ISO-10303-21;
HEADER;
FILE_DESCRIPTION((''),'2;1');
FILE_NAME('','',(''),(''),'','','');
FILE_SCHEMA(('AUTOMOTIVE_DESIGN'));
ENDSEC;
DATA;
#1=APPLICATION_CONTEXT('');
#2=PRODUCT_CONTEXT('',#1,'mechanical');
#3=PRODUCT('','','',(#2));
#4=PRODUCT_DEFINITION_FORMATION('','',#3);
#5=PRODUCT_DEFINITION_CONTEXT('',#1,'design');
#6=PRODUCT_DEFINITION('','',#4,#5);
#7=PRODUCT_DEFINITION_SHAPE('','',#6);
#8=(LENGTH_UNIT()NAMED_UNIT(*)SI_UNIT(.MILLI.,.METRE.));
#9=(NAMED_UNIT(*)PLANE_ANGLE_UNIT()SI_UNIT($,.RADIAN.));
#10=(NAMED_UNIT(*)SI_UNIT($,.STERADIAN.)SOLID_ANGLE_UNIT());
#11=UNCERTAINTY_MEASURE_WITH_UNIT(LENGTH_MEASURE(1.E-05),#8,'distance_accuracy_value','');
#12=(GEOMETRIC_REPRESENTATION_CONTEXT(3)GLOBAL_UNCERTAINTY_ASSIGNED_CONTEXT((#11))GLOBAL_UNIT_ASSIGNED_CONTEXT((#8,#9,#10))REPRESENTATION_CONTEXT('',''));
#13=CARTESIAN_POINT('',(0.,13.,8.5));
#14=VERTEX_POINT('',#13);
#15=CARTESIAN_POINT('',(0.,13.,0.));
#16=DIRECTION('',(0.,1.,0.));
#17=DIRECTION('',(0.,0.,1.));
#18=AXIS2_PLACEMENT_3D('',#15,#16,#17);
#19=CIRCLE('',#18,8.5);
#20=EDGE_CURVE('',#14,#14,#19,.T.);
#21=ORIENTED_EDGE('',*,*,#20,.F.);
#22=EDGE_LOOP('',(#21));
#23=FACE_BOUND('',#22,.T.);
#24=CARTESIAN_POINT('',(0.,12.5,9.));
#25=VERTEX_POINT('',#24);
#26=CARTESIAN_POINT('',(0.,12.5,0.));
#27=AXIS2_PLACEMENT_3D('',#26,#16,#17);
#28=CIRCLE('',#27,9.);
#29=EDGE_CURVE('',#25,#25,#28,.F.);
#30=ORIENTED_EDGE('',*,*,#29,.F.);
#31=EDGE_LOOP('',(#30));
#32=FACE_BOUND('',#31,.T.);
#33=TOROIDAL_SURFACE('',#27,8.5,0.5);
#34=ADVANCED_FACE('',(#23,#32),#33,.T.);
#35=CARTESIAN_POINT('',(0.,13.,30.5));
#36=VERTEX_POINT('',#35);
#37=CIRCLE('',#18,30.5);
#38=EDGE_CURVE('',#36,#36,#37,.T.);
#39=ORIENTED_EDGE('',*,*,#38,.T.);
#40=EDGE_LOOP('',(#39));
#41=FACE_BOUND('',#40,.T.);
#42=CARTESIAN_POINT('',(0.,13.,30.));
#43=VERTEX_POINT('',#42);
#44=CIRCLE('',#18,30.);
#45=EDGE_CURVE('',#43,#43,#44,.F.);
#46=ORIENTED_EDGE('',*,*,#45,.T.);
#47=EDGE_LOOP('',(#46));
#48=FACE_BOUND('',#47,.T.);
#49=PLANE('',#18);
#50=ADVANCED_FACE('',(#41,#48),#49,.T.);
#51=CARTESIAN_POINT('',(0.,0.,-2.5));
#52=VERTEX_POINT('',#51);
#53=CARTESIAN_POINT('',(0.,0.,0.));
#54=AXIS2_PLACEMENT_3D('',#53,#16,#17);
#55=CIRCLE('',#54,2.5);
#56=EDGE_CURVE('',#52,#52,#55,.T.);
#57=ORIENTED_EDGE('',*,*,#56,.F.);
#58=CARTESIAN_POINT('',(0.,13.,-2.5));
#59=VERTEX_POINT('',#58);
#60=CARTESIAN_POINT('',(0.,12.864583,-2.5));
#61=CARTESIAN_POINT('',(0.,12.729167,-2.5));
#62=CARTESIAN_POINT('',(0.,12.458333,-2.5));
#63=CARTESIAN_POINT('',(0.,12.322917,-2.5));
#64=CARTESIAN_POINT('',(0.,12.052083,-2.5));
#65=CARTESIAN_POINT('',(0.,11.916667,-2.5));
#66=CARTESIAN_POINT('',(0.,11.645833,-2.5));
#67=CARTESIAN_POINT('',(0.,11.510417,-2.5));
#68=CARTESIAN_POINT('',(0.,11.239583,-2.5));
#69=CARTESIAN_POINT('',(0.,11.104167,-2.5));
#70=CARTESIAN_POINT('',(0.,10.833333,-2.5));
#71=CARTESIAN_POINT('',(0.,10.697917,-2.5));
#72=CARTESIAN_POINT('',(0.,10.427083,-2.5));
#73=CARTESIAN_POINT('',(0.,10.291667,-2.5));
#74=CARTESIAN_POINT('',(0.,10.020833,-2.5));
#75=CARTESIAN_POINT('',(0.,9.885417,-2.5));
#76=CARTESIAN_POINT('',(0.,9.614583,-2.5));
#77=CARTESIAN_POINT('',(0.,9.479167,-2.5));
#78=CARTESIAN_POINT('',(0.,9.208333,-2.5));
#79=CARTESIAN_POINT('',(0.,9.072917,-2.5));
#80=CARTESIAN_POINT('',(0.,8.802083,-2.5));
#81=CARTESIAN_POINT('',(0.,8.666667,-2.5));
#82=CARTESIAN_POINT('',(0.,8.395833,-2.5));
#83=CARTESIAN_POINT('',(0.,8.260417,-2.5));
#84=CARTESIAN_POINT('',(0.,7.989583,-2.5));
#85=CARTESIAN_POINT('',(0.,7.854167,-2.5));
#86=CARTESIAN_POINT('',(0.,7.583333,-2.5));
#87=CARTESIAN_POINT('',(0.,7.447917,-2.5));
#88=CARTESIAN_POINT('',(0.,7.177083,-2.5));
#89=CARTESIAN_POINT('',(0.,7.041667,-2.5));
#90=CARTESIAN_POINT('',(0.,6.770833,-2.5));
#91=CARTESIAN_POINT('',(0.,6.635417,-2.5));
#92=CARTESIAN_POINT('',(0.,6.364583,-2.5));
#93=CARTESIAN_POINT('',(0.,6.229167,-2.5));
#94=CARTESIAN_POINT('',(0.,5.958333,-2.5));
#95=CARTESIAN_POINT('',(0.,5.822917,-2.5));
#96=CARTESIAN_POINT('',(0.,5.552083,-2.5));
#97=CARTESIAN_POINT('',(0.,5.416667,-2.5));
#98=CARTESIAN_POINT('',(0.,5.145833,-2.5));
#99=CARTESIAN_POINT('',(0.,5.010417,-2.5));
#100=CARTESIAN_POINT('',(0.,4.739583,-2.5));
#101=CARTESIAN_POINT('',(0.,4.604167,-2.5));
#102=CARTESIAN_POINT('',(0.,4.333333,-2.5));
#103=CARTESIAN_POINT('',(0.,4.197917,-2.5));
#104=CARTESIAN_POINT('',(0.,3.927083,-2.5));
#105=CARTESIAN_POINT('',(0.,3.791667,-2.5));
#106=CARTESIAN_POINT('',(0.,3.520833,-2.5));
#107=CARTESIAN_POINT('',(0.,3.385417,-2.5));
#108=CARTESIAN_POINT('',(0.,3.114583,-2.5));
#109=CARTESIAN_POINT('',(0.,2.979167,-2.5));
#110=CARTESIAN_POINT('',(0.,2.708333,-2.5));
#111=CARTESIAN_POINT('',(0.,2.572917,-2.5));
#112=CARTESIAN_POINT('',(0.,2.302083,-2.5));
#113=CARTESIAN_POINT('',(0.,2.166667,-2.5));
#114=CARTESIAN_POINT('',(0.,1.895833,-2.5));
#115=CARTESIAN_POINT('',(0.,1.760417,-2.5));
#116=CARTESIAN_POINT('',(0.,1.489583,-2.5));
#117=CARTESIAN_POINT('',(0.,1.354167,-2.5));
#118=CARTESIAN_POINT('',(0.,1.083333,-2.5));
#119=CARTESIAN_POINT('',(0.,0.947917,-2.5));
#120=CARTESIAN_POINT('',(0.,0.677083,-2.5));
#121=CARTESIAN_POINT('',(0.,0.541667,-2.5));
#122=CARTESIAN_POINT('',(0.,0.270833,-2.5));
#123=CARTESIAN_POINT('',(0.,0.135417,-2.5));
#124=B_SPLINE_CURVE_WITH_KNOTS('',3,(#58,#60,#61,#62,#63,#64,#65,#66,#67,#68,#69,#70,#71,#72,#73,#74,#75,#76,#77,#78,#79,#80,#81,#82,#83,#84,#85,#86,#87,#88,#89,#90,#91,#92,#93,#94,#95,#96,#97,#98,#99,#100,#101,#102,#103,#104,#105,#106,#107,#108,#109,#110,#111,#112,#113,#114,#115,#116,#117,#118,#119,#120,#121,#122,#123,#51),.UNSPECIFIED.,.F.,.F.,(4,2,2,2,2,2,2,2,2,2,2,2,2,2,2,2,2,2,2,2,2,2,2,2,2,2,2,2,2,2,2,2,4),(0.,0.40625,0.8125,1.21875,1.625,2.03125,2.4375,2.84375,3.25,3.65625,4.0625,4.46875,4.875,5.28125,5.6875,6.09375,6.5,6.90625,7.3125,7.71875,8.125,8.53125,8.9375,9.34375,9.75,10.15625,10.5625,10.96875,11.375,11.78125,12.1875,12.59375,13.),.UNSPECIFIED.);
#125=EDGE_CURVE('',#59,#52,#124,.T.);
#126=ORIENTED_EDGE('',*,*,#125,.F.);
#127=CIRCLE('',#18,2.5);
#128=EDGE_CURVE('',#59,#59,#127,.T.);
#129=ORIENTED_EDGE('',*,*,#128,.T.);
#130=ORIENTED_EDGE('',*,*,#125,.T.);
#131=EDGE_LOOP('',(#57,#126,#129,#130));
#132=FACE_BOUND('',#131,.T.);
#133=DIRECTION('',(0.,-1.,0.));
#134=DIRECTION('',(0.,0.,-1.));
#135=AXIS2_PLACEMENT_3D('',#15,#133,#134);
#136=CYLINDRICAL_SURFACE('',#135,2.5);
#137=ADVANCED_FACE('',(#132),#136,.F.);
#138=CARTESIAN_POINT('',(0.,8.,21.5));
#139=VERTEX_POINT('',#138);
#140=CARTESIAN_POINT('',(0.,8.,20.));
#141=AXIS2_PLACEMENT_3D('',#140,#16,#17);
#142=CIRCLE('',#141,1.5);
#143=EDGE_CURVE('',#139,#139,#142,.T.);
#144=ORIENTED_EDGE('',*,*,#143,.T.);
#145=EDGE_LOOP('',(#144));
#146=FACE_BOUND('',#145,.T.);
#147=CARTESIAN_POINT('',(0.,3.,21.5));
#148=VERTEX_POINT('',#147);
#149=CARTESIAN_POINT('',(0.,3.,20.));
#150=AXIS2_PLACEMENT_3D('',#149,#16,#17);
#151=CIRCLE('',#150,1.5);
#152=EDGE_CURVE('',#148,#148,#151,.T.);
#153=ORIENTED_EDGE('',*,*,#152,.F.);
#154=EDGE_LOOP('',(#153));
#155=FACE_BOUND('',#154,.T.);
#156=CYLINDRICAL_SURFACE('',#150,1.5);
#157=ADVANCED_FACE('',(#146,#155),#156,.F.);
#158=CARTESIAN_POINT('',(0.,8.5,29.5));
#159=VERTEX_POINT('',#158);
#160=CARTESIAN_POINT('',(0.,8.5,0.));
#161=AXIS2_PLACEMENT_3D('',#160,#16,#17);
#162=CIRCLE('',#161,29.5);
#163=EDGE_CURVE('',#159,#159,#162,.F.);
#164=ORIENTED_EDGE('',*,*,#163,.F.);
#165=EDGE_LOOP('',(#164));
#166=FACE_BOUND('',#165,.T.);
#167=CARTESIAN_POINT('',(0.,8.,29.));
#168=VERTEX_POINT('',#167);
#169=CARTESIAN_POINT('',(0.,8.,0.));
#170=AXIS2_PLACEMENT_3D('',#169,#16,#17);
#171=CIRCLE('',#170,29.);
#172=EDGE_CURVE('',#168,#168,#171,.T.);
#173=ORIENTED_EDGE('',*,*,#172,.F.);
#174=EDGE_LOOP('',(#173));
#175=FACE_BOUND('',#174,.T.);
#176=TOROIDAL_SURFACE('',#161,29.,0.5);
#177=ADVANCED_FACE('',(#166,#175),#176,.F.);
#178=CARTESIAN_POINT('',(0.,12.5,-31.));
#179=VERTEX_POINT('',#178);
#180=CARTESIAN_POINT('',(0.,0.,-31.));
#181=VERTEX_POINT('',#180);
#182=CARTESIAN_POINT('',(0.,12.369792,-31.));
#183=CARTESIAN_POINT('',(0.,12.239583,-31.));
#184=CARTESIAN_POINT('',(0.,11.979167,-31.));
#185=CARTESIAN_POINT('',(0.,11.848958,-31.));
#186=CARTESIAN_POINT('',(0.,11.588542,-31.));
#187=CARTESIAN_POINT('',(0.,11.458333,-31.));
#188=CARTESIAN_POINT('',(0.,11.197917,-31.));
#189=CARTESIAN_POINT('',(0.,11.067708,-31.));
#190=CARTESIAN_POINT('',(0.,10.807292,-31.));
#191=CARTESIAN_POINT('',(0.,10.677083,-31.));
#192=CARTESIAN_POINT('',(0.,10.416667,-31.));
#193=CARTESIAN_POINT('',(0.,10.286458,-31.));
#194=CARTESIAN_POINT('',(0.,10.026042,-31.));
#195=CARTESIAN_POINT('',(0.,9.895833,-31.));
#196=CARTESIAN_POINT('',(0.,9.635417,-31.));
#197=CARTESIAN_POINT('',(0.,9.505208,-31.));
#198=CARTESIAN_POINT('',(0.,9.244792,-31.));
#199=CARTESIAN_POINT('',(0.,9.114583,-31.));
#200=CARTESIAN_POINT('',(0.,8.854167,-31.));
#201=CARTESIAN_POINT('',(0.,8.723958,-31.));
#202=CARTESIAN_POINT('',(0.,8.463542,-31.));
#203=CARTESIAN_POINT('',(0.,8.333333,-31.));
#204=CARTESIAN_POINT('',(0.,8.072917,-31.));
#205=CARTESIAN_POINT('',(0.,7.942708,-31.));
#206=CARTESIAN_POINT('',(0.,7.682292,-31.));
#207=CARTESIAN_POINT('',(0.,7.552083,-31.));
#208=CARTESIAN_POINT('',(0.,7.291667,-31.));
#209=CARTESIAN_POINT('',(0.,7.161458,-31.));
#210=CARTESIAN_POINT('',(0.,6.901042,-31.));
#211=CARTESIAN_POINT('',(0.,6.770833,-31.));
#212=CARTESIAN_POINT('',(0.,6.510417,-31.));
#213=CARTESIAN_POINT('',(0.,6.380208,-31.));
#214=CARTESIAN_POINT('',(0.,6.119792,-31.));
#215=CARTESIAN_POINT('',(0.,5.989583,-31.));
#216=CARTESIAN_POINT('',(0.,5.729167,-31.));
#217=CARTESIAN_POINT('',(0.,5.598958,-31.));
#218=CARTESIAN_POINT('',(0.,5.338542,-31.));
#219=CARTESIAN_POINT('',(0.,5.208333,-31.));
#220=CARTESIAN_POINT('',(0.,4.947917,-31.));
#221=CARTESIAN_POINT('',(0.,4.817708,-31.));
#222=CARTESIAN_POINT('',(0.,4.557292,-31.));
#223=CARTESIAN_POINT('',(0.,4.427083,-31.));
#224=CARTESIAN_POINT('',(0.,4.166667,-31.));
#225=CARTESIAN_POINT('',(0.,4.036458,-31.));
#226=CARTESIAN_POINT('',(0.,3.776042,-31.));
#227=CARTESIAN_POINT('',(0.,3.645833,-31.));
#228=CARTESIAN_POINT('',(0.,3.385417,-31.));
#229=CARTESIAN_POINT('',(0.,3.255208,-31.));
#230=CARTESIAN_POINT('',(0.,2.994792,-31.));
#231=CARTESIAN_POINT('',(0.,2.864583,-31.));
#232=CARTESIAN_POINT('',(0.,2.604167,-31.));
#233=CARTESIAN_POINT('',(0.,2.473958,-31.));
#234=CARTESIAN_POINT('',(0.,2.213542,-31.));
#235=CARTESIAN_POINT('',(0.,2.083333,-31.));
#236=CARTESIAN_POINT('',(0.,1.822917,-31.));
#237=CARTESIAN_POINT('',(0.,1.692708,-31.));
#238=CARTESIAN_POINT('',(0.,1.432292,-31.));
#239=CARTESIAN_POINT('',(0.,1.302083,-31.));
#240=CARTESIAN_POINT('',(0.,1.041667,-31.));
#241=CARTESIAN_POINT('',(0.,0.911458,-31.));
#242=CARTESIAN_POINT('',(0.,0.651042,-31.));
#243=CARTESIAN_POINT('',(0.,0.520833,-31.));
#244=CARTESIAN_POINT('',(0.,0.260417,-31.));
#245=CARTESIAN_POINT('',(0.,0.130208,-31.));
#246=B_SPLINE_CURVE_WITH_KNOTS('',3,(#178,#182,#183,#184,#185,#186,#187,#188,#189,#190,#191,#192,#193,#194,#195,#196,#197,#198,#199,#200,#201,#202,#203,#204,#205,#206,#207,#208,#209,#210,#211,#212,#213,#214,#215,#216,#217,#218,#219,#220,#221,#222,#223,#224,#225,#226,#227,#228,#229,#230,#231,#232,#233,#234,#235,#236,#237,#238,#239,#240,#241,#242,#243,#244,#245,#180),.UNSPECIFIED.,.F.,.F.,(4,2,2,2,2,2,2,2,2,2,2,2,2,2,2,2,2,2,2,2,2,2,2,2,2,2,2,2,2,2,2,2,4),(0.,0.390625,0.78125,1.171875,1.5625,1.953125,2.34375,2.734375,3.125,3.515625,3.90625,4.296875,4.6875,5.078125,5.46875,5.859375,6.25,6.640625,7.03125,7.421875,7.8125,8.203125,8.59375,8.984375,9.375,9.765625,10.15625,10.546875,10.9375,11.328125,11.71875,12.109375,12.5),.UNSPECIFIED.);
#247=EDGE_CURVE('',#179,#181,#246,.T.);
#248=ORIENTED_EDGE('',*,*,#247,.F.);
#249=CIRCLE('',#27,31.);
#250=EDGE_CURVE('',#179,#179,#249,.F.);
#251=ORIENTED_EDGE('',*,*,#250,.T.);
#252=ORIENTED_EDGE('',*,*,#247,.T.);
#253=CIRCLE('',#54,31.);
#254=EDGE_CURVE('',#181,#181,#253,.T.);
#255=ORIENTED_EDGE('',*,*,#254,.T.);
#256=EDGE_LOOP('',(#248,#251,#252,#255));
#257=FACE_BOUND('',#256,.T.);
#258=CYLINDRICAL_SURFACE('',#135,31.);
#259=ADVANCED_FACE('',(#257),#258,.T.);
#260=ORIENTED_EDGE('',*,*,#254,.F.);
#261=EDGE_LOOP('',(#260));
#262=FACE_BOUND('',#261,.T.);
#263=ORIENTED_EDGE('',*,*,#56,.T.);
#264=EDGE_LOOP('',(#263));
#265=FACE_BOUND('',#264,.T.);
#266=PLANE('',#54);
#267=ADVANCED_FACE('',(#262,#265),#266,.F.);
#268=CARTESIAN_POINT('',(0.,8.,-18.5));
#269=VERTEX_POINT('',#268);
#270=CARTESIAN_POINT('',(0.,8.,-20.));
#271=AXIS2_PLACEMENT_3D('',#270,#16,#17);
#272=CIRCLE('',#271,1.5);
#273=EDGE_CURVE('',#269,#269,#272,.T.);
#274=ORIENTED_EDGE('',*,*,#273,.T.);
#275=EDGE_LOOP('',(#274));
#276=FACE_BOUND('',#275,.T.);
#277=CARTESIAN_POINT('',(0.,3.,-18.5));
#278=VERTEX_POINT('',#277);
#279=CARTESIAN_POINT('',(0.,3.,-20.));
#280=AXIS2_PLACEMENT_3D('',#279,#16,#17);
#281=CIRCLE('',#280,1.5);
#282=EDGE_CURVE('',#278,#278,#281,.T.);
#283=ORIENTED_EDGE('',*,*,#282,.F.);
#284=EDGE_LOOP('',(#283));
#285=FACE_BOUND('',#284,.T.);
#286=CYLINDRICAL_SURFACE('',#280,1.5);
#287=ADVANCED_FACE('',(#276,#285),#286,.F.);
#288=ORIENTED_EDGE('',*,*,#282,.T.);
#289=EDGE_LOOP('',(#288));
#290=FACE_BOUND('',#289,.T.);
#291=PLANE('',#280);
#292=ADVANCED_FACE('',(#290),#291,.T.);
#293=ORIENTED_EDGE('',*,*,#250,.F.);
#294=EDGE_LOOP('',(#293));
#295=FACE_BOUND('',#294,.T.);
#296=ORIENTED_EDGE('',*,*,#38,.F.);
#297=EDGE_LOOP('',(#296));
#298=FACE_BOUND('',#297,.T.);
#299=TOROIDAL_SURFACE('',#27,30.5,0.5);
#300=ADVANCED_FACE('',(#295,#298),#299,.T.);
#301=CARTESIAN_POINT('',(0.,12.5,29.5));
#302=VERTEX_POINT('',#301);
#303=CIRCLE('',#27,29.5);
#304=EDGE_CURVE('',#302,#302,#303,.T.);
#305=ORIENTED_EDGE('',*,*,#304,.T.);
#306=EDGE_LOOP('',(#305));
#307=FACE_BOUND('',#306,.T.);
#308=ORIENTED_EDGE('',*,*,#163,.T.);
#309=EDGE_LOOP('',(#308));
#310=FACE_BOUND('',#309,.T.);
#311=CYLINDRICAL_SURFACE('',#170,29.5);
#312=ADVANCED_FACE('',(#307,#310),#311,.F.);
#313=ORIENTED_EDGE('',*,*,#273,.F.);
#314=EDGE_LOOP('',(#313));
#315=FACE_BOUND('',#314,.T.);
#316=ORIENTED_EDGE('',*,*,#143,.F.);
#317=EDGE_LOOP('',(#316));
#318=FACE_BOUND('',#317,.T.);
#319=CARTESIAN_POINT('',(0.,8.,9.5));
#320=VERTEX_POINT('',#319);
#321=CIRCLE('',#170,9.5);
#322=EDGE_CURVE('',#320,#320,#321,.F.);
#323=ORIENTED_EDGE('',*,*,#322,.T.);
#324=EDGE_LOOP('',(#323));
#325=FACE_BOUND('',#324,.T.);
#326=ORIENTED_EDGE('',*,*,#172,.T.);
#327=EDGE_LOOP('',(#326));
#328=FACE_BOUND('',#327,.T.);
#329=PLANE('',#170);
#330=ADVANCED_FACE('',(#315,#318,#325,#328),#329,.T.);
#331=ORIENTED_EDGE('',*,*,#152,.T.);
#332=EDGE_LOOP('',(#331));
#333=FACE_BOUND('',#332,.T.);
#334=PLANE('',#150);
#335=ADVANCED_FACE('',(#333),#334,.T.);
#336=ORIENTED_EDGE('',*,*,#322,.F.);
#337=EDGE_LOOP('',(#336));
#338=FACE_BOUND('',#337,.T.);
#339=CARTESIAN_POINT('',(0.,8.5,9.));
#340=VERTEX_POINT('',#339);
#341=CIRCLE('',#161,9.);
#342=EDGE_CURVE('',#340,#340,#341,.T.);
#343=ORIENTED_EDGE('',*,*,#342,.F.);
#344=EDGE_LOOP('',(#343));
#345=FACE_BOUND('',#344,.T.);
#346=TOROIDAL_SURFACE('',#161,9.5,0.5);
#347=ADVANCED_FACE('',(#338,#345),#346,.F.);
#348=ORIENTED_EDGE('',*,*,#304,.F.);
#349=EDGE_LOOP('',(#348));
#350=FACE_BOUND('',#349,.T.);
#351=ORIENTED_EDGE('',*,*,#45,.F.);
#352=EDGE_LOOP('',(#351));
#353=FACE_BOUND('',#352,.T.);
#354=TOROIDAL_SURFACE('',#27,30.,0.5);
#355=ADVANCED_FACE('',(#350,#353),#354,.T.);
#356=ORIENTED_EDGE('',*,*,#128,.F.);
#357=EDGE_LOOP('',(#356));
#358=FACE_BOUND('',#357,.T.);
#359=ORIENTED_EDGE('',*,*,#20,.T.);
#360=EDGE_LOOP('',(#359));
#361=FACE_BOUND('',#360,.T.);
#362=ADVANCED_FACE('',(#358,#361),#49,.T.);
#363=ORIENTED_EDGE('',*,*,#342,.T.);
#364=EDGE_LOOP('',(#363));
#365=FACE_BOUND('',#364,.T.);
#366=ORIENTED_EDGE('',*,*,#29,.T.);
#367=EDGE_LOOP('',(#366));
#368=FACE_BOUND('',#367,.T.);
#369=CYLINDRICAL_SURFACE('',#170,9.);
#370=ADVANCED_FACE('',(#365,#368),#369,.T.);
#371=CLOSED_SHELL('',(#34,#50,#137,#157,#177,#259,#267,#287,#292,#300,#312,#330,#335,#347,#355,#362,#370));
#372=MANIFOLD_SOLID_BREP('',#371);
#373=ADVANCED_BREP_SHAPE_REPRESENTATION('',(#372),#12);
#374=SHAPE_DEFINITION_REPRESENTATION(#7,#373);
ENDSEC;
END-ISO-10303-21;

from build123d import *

# Parameters (mm, degrees)
ESQUISSE1_R             = 31
ESQUISSE1_R_2           = 2.5
EXTRUSION1_DEPTH        = 13
ESQUISSE2_R             = 29.5
ESQUISSE2_R_2           = 9
ENL_V_MAT_EXTRU_1_DEPTH = 5
CONG_1_R                = 0.5
ESQUISSE3_R             = 1.5
ENL_V_MAT_EXTRU_2_DEPTH = 5


with BuildPart() as part:
    # Esquisse1 → Extrusion1 (new body)
    with BuildSketch(Plane(origin=(0, 0, 0), x_dir=(1, 0, 0), z_dir=(0, 1, 0))):
        with Locations(Location((0, 0, 0), (0, 0, 90))):
            Circle(ESQUISSE1_R)
        with Locations(Location((0, 0, 0), (0, 0, 90))):
            Circle(ESQUISSE1_R_2, mode=Mode.SUBTRACT)
    extrude(amount=EXTRUSION1_DEPTH)

    # Esquisse2 → Enlèv. mat.-Extru.1 (cut)
    with BuildSketch(Plane(origin=(0, 13, 0), x_dir=(1, 0, 0), z_dir=(0, 1, 0))):
        with Locations(Location((0, 0, 0), (0, 0, 270))):
            Circle(ESQUISSE2_R)
        with Locations(Location((0, 0, 0), (0, 0, 270))):
            Circle(ESQUISSE2_R_2, mode=Mode.SUBTRACT)
    extrude(amount=-ENL_V_MAT_EXTRU_1_DEPTH, mode=Mode.SUBTRACT)

    # Congé1
    cong_1_edges = [part.edges().sort_by_distance(p)[0] for p in [
        (0, 8, -29.5),
        (0, 8, -9),
        (0, 13, -29.5),
        (0, 13, -9),
        (0, 13, 31),
    ]]
    fillet(cong_1_edges, radius=CONG_1_R)

    # Esquisse3 → Enlèv. mat.-Extru.2 (cut)
    with BuildSketch(Plane(origin=(0, 8, 0), x_dir=(1, 0, 0), z_dir=(0, 1, 0))):
        with Locations(Location((0, 20, 0), (0, 0, 270))):
            Circle(ESQUISSE3_R)
        with Locations(Location((0, -20, 0), (0, 0, 270))):
            Circle(ESQUISSE3_R)
    extrude(amount=-ENL_V_MAT_EXTRU_2_DEPTH, mode=Mode.SUBTRACT)


solid = part.part
